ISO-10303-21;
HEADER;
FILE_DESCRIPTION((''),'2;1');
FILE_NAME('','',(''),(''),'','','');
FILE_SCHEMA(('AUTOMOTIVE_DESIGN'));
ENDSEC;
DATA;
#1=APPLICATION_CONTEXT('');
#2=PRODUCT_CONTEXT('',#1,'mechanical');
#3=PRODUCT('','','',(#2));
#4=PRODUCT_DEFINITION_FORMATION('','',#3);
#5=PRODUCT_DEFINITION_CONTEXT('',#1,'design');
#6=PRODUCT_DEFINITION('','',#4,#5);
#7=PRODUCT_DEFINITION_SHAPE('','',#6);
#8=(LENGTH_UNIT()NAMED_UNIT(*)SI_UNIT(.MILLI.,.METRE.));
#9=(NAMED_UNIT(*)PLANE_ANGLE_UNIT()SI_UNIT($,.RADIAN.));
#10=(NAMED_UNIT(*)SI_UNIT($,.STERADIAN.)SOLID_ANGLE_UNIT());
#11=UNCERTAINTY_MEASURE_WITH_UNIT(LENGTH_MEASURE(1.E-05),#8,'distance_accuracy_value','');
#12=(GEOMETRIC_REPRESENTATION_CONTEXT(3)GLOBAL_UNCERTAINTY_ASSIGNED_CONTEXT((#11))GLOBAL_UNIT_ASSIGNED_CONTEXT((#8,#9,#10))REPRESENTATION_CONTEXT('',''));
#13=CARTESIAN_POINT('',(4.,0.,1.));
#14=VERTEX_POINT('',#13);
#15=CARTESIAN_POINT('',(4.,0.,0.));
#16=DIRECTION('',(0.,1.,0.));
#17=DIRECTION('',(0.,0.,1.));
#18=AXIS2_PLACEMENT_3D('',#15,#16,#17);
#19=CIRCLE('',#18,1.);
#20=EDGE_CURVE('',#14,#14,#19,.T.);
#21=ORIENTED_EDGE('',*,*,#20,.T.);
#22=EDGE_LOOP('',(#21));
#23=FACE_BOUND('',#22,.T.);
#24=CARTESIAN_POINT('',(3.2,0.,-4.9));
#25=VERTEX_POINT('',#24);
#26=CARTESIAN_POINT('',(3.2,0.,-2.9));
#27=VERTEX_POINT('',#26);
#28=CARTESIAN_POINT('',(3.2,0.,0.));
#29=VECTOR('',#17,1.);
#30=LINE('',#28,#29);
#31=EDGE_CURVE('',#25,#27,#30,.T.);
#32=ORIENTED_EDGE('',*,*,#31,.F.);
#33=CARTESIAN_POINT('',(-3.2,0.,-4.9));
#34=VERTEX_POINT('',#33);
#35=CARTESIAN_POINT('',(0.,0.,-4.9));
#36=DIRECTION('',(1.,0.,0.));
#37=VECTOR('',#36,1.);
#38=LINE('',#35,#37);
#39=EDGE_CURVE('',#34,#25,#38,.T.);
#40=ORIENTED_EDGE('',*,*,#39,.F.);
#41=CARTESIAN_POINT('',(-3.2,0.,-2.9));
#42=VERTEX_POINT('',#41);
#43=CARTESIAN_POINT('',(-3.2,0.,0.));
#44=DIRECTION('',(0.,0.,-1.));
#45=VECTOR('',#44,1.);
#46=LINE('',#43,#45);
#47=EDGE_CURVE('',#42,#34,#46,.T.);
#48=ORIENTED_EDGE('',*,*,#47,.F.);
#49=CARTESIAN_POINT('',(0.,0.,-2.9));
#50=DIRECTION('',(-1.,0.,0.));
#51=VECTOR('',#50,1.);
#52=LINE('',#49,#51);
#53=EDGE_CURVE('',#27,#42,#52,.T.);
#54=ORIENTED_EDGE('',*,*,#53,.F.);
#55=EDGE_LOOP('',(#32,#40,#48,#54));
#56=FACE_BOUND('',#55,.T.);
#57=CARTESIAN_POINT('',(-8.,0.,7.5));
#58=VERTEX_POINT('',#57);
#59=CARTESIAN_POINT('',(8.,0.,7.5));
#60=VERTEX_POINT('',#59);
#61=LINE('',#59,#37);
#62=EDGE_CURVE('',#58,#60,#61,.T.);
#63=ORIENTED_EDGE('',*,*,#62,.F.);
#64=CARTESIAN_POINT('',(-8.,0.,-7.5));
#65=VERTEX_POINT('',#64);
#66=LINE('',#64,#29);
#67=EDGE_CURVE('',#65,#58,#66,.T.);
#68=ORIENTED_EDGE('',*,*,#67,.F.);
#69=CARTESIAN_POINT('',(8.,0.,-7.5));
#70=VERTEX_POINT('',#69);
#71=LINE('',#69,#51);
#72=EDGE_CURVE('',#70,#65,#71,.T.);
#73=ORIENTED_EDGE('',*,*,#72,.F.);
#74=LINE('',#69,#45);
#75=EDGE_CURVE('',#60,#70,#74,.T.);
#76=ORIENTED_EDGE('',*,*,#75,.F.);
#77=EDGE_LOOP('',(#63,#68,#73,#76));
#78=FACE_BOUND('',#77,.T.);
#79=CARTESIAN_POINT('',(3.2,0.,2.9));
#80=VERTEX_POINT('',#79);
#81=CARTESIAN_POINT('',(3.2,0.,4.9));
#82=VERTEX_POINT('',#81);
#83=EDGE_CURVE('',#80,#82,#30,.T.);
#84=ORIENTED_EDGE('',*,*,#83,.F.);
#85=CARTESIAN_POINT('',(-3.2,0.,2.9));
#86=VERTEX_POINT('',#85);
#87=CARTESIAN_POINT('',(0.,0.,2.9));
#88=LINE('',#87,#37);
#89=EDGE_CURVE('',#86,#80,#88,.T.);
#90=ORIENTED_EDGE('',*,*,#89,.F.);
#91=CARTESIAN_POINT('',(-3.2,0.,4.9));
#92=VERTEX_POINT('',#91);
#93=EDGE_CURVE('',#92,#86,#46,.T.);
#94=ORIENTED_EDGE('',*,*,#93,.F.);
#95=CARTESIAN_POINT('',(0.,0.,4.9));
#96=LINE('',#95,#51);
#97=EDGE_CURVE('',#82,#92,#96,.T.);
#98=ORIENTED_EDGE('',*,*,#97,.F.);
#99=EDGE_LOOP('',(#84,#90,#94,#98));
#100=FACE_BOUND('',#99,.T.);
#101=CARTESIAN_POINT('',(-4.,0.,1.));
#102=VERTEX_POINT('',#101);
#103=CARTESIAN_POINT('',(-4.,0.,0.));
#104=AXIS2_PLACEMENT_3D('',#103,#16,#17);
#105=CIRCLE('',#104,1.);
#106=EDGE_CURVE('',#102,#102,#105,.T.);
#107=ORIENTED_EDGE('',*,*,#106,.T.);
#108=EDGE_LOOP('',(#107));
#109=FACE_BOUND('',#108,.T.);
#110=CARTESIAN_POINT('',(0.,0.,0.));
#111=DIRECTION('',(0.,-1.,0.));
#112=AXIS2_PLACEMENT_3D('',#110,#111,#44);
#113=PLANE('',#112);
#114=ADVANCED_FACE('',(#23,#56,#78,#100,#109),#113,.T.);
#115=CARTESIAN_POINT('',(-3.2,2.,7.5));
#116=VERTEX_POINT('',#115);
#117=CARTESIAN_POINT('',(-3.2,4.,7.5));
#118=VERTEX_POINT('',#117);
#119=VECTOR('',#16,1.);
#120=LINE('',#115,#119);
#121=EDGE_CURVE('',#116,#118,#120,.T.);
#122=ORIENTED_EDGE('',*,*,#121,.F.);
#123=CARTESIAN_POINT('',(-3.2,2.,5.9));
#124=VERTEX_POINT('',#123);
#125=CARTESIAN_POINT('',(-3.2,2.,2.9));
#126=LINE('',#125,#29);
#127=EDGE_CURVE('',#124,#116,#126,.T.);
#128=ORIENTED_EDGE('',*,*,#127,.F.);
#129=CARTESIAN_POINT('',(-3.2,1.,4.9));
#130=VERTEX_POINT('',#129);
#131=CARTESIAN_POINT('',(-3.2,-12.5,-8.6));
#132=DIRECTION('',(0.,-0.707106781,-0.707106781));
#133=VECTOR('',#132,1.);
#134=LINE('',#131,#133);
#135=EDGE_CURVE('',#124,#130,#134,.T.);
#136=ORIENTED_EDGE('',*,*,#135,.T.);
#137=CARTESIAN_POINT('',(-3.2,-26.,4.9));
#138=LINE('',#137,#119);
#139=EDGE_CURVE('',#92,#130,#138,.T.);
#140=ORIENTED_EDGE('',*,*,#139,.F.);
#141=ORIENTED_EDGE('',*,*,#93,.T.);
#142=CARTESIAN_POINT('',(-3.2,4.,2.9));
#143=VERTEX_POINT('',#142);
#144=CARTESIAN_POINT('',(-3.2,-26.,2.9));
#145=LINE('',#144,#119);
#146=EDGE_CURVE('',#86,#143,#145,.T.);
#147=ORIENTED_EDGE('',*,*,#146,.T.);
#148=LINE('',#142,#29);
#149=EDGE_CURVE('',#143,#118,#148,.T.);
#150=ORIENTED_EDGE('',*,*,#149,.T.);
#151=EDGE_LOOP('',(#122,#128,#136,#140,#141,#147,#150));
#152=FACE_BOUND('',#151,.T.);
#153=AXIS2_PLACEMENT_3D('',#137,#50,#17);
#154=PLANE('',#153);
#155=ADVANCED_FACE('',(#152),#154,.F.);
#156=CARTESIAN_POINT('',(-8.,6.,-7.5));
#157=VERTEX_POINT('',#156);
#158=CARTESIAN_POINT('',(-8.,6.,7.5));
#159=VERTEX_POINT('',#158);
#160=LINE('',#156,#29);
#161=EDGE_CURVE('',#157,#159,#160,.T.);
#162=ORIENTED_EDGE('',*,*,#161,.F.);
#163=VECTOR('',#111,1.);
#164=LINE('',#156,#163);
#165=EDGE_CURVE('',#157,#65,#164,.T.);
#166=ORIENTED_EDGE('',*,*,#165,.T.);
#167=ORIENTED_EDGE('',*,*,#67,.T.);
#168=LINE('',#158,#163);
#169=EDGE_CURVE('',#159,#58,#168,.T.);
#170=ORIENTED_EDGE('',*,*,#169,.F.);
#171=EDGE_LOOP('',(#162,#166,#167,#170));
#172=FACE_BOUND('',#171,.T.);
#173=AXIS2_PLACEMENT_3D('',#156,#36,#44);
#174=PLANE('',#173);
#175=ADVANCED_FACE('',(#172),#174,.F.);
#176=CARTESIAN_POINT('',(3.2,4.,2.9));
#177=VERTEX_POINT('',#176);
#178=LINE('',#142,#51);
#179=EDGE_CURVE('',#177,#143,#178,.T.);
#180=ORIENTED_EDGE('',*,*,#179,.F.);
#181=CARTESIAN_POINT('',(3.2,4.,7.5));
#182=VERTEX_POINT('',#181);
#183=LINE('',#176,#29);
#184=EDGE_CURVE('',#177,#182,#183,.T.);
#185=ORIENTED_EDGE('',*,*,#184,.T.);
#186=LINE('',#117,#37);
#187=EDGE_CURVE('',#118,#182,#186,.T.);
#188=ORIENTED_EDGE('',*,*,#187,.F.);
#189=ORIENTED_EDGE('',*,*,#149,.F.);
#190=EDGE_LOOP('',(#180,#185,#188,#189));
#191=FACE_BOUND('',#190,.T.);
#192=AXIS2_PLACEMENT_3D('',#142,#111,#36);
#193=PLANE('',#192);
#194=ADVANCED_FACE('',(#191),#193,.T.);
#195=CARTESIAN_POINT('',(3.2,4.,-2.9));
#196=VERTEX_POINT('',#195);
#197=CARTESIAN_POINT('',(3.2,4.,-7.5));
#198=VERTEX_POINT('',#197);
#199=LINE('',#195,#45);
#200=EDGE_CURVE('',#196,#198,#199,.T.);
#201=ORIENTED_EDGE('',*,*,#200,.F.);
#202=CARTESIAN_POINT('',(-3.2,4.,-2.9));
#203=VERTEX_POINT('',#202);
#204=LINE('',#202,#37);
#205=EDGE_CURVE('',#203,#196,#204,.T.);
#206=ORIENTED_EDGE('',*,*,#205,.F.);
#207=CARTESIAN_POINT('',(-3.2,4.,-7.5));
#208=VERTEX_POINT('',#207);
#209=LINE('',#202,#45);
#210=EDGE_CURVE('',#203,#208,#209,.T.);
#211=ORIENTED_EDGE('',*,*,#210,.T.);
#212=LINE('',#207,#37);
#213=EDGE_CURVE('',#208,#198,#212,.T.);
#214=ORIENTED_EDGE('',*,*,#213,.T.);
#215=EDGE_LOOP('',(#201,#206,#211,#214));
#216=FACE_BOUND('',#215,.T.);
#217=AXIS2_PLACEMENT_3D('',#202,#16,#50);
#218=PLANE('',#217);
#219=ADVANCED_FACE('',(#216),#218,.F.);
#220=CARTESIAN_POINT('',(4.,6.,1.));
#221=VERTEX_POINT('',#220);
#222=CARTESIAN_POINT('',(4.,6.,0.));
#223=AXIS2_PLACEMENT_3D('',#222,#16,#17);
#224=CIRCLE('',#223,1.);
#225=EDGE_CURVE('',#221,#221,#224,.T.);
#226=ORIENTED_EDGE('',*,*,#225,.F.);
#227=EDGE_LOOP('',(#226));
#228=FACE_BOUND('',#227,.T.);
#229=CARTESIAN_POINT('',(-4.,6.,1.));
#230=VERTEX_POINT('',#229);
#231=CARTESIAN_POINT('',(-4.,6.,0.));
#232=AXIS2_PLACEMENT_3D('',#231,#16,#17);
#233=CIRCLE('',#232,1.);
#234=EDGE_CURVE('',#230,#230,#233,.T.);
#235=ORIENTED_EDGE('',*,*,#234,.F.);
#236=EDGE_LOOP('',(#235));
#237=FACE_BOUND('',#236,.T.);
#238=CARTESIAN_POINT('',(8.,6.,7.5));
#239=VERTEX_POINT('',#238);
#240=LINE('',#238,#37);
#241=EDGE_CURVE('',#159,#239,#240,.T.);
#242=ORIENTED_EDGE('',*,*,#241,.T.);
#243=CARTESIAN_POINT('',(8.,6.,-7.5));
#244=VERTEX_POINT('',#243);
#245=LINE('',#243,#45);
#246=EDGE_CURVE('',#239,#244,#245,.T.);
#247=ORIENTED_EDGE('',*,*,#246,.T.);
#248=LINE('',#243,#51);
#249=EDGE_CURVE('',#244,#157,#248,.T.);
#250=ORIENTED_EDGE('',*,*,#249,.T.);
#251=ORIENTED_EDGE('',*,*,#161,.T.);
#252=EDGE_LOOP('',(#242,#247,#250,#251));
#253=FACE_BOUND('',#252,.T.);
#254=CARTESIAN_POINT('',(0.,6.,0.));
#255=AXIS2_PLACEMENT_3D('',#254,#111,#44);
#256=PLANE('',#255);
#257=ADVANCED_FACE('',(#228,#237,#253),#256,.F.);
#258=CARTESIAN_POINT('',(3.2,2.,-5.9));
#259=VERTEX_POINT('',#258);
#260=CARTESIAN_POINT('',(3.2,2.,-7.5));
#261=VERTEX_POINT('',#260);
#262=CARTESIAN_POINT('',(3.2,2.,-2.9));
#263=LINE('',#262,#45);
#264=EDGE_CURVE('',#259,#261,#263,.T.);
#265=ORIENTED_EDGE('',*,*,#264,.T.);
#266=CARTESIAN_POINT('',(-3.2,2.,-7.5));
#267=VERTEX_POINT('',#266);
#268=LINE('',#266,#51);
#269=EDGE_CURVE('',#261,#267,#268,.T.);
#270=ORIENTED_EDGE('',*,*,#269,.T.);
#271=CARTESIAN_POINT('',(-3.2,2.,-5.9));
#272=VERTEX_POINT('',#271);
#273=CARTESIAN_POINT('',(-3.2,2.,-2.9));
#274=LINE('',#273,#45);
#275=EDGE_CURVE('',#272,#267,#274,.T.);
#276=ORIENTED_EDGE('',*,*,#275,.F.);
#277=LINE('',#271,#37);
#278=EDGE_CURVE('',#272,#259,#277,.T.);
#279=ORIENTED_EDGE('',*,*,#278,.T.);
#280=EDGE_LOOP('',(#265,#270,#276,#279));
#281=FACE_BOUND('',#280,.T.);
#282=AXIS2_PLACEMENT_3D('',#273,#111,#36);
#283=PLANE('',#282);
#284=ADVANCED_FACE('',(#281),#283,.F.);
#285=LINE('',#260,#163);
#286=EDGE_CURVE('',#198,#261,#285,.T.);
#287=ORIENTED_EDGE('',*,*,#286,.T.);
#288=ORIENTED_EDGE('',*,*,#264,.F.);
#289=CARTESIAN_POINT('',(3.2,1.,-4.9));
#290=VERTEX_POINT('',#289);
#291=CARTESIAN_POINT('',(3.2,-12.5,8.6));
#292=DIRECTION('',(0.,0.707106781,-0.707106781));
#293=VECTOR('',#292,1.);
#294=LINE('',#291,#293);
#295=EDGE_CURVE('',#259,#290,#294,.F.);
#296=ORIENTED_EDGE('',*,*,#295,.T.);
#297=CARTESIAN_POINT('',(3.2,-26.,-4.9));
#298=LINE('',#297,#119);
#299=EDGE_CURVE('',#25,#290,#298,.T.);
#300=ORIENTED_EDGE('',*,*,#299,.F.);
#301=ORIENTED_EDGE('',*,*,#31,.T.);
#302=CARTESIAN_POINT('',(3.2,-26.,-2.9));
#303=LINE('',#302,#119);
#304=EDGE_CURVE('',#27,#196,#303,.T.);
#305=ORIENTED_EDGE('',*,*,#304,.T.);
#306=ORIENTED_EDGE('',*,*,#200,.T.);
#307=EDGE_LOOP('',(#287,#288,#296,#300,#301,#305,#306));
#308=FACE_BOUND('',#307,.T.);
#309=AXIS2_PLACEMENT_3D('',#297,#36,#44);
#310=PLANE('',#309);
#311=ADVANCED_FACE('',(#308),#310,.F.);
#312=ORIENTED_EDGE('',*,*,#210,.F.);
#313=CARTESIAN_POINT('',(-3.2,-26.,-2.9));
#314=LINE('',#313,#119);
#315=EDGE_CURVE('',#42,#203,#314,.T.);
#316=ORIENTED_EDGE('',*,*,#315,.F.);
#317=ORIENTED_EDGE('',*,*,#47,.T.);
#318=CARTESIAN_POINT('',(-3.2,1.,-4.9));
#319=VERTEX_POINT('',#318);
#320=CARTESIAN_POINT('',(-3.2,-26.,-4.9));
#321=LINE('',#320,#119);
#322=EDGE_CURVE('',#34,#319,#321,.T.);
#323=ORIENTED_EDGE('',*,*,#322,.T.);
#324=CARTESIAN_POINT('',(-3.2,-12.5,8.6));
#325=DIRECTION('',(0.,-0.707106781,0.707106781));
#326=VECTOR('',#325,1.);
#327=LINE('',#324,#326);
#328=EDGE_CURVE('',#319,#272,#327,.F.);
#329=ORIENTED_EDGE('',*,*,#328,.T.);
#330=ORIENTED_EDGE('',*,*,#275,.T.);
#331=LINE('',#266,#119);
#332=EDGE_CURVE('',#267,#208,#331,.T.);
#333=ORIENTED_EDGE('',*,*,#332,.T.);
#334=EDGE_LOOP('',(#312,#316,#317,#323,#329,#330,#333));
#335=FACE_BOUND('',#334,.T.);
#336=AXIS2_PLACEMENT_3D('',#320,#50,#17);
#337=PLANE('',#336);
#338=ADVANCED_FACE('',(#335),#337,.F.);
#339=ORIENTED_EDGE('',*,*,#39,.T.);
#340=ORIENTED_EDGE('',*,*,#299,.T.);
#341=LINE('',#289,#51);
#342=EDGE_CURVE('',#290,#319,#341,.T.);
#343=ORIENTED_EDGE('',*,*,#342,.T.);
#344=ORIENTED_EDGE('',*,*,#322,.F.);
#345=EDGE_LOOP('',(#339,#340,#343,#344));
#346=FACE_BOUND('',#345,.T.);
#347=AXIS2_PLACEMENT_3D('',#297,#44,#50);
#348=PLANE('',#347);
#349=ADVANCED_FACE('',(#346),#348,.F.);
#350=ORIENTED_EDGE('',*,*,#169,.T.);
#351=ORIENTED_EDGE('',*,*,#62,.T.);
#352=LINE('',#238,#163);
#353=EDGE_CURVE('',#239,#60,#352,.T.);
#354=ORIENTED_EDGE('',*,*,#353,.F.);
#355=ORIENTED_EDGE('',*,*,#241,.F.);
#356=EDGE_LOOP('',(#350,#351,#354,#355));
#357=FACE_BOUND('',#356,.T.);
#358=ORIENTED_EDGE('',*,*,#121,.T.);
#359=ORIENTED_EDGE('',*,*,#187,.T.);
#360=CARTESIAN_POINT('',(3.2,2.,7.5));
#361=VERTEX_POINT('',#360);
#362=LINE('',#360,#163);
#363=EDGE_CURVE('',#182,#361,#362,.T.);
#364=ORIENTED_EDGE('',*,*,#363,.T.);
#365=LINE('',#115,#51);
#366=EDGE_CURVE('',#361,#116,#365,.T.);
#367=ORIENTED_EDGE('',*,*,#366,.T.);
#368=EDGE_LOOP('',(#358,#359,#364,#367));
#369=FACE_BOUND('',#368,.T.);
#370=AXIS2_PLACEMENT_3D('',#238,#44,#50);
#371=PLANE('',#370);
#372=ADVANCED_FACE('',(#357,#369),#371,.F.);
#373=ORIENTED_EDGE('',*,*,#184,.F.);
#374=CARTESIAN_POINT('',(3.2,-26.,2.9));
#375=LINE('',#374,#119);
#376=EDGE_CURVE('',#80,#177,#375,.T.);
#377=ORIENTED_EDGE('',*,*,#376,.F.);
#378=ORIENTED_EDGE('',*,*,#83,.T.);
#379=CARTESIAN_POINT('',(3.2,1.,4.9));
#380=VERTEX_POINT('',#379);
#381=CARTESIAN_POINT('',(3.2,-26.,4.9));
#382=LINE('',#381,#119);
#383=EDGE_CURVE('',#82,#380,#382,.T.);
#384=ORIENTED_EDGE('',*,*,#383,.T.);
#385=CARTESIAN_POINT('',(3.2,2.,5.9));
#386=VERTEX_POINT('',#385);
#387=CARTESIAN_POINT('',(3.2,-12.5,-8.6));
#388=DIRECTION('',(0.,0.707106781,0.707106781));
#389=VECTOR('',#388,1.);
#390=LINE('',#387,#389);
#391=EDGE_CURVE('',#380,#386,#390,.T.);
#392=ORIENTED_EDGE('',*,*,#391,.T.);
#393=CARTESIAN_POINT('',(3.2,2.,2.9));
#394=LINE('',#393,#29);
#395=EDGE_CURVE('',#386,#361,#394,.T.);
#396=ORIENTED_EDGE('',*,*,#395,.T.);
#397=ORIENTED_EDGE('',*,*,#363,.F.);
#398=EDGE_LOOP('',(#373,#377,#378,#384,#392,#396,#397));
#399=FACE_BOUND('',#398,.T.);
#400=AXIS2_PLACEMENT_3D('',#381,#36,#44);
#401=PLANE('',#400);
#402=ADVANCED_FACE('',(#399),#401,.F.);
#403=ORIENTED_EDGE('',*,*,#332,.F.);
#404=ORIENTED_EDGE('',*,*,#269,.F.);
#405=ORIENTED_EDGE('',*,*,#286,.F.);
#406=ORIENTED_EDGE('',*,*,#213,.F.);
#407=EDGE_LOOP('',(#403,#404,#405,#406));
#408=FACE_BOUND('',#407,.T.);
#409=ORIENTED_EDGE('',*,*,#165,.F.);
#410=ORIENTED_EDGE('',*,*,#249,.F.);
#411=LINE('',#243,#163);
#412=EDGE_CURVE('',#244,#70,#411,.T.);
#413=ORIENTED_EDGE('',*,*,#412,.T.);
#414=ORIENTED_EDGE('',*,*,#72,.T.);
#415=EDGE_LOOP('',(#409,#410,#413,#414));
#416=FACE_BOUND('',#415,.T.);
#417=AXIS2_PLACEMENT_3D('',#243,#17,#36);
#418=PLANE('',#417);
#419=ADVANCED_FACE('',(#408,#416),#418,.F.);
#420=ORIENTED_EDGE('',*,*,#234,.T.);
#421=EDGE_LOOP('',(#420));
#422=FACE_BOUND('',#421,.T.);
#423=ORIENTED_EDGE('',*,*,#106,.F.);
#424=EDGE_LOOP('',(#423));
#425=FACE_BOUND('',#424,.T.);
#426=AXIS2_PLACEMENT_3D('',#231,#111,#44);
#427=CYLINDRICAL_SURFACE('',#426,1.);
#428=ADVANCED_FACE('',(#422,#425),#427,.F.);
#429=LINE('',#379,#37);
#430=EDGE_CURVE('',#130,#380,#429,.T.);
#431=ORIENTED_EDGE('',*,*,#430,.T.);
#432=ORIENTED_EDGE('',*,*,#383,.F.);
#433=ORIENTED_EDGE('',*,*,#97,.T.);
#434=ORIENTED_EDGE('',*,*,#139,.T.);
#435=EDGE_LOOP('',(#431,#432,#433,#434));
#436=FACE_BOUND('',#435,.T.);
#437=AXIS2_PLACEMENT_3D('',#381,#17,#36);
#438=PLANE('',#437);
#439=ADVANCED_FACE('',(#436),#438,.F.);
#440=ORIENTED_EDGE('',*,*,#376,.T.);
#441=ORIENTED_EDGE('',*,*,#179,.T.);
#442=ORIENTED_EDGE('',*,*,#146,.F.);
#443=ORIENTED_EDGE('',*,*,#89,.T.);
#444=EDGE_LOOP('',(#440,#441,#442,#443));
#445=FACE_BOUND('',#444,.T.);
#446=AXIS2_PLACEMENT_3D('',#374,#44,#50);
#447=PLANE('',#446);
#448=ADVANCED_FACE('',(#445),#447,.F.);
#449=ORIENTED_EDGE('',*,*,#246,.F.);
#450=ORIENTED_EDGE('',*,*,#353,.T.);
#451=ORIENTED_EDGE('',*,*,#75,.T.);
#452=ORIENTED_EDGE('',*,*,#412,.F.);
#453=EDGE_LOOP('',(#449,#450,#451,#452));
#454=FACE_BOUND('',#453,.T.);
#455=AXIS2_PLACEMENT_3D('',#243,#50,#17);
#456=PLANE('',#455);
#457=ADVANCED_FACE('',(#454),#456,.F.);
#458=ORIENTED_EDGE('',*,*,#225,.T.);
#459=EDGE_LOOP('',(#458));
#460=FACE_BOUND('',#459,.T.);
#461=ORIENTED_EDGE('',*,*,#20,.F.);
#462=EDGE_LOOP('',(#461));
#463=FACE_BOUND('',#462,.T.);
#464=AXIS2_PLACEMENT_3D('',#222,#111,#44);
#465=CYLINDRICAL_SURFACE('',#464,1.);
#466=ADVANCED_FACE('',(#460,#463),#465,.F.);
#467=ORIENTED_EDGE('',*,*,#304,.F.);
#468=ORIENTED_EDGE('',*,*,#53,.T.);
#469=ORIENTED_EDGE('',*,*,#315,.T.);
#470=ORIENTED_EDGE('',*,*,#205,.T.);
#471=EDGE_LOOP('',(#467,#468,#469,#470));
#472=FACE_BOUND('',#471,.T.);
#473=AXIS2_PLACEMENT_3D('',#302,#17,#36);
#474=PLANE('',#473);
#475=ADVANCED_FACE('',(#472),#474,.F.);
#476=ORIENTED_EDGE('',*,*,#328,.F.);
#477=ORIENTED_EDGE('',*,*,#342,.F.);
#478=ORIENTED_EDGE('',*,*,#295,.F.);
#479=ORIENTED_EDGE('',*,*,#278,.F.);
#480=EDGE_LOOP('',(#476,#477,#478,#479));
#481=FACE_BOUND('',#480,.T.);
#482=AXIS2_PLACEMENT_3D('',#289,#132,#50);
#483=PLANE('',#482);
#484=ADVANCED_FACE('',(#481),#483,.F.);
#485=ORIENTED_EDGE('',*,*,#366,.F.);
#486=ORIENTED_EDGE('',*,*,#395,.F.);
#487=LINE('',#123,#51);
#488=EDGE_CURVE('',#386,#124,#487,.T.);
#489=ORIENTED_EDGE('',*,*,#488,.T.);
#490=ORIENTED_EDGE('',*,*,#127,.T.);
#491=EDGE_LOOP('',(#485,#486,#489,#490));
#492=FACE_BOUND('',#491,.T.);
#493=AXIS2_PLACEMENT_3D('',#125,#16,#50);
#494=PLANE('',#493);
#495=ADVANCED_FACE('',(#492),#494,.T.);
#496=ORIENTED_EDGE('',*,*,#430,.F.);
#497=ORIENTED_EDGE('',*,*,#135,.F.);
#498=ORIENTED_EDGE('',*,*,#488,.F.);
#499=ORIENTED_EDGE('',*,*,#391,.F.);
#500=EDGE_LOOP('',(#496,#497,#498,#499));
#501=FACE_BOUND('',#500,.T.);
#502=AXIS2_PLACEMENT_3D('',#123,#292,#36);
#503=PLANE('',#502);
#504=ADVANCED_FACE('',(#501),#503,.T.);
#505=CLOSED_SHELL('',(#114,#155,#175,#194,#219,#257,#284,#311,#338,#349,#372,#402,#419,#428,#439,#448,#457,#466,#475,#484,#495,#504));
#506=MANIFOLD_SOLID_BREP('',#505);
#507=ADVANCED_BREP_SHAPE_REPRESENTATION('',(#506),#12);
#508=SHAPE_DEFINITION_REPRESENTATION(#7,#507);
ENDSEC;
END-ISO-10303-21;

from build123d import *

# Parameters (mm, degrees)
CROQUIS1_W              = 16
CROQUIS1_H              = 15
CROQUIS1_R              = 1
SALIENTE_EXTRUIR1_DEPTH = 6
CROQUIS6_W              = 6.4
CROQUIS6_H              = 2
CORTAR_EXTRUIR3_DEPTH   = 32
CROQUIS7_W              = 6.4
CROQUIS7_H              = 2
CORTAR_EXTRUIR4_DEPTH   = 4.6
CROQUIS8_W              = 6.4
CROQUIS8_H              = 2
SALIENTE_EXTRUIR5_DEPTH = 2
CHAFL_N1_SIZE           = 1


with BuildPart() as part:
    # Croquis1 → Saliente-Extruir1 (new body)
    with BuildSketch(Plane(origin=(0, 0, 0), x_dir=(1, 0, 0), z_dir=(0, 1, 0))):
        Rectangle(CROQUIS1_W, CROQUIS1_H)
        with Locations((4, 0)):
            Circle(CROQUIS1_R, mode=Mode.SUBTRACT)
        with Locations((-4, 0)):
            Circle(CROQUIS1_R, mode=Mode.SUBTRACT)
    extrude(amount=SALIENTE_EXTRUIR1_DEPTH)

    # Croquis6 → Cortar-Extruir3 (cut)
    with BuildSketch(Plane(origin=(0, 6, 0), x_dir=(1, 0, 0), z_dir=(0, 1, 0))):
        with Locations((0, -3.9)):
            Rectangle(CROQUIS6_W, CROQUIS6_H)
        with Locations((0, 3.9)):
            Rectangle(CROQUIS6_W, CROQUIS6_H)
    cortar_extruir3 = extrude(amount=-CORTAR_EXTRUIR3_DEPTH, mode=Mode.SUBTRACT)

    # Croquis7 → Cortar-Extruir4 (cut)
    with BuildSketch(Plane(origin=(0, 0, 7.5), x_dir=(-1, 0, 0), z_dir=(0, 0, -1))):
        with Locations((0, 3)):
            Rectangle(CROQUIS7_W, CROQUIS7_H)
    cortar_extruir4 = extrude(amount=CORTAR_EXTRUIR4_DEPTH, mode=Mode.SUBTRACT)

    # Simetría1: Cortar-Extruir3, Cortar-Extruir4 across plane
    add(cortar_extruir3.mirror(Plane.XY), mode=Mode.SUBTRACT)
    add(cortar_extruir4.mirror(Plane.XY), mode=Mode.SUBTRACT)

    # Croquis8 → Saliente-Extruir5 (add)
    with BuildSketch(Plane(origin=(0, 6, 0), x_dir=(1, 0, 0), z_dir=(0, 1, 0))):
        with Locations((0, 3.9)):
            Rectangle(CROQUIS8_W, CROQUIS8_H)
        with Locations((0, -3.9)):
            Rectangle(CROQUIS8_W, CROQUIS8_H)
    extrude(amount=-SALIENTE_EXTRUIR5_DEPTH)

    # Chaflán1
    chafl_n1_edges = [part.edges().sort_by_distance(p)[0] for p in [
        (0, 2, -4.9),
        (0, 2, 4.9),
    ]]
    chamfer(chafl_n1_edges, length=CHAFL_N1_SIZE)


solid = part.part
